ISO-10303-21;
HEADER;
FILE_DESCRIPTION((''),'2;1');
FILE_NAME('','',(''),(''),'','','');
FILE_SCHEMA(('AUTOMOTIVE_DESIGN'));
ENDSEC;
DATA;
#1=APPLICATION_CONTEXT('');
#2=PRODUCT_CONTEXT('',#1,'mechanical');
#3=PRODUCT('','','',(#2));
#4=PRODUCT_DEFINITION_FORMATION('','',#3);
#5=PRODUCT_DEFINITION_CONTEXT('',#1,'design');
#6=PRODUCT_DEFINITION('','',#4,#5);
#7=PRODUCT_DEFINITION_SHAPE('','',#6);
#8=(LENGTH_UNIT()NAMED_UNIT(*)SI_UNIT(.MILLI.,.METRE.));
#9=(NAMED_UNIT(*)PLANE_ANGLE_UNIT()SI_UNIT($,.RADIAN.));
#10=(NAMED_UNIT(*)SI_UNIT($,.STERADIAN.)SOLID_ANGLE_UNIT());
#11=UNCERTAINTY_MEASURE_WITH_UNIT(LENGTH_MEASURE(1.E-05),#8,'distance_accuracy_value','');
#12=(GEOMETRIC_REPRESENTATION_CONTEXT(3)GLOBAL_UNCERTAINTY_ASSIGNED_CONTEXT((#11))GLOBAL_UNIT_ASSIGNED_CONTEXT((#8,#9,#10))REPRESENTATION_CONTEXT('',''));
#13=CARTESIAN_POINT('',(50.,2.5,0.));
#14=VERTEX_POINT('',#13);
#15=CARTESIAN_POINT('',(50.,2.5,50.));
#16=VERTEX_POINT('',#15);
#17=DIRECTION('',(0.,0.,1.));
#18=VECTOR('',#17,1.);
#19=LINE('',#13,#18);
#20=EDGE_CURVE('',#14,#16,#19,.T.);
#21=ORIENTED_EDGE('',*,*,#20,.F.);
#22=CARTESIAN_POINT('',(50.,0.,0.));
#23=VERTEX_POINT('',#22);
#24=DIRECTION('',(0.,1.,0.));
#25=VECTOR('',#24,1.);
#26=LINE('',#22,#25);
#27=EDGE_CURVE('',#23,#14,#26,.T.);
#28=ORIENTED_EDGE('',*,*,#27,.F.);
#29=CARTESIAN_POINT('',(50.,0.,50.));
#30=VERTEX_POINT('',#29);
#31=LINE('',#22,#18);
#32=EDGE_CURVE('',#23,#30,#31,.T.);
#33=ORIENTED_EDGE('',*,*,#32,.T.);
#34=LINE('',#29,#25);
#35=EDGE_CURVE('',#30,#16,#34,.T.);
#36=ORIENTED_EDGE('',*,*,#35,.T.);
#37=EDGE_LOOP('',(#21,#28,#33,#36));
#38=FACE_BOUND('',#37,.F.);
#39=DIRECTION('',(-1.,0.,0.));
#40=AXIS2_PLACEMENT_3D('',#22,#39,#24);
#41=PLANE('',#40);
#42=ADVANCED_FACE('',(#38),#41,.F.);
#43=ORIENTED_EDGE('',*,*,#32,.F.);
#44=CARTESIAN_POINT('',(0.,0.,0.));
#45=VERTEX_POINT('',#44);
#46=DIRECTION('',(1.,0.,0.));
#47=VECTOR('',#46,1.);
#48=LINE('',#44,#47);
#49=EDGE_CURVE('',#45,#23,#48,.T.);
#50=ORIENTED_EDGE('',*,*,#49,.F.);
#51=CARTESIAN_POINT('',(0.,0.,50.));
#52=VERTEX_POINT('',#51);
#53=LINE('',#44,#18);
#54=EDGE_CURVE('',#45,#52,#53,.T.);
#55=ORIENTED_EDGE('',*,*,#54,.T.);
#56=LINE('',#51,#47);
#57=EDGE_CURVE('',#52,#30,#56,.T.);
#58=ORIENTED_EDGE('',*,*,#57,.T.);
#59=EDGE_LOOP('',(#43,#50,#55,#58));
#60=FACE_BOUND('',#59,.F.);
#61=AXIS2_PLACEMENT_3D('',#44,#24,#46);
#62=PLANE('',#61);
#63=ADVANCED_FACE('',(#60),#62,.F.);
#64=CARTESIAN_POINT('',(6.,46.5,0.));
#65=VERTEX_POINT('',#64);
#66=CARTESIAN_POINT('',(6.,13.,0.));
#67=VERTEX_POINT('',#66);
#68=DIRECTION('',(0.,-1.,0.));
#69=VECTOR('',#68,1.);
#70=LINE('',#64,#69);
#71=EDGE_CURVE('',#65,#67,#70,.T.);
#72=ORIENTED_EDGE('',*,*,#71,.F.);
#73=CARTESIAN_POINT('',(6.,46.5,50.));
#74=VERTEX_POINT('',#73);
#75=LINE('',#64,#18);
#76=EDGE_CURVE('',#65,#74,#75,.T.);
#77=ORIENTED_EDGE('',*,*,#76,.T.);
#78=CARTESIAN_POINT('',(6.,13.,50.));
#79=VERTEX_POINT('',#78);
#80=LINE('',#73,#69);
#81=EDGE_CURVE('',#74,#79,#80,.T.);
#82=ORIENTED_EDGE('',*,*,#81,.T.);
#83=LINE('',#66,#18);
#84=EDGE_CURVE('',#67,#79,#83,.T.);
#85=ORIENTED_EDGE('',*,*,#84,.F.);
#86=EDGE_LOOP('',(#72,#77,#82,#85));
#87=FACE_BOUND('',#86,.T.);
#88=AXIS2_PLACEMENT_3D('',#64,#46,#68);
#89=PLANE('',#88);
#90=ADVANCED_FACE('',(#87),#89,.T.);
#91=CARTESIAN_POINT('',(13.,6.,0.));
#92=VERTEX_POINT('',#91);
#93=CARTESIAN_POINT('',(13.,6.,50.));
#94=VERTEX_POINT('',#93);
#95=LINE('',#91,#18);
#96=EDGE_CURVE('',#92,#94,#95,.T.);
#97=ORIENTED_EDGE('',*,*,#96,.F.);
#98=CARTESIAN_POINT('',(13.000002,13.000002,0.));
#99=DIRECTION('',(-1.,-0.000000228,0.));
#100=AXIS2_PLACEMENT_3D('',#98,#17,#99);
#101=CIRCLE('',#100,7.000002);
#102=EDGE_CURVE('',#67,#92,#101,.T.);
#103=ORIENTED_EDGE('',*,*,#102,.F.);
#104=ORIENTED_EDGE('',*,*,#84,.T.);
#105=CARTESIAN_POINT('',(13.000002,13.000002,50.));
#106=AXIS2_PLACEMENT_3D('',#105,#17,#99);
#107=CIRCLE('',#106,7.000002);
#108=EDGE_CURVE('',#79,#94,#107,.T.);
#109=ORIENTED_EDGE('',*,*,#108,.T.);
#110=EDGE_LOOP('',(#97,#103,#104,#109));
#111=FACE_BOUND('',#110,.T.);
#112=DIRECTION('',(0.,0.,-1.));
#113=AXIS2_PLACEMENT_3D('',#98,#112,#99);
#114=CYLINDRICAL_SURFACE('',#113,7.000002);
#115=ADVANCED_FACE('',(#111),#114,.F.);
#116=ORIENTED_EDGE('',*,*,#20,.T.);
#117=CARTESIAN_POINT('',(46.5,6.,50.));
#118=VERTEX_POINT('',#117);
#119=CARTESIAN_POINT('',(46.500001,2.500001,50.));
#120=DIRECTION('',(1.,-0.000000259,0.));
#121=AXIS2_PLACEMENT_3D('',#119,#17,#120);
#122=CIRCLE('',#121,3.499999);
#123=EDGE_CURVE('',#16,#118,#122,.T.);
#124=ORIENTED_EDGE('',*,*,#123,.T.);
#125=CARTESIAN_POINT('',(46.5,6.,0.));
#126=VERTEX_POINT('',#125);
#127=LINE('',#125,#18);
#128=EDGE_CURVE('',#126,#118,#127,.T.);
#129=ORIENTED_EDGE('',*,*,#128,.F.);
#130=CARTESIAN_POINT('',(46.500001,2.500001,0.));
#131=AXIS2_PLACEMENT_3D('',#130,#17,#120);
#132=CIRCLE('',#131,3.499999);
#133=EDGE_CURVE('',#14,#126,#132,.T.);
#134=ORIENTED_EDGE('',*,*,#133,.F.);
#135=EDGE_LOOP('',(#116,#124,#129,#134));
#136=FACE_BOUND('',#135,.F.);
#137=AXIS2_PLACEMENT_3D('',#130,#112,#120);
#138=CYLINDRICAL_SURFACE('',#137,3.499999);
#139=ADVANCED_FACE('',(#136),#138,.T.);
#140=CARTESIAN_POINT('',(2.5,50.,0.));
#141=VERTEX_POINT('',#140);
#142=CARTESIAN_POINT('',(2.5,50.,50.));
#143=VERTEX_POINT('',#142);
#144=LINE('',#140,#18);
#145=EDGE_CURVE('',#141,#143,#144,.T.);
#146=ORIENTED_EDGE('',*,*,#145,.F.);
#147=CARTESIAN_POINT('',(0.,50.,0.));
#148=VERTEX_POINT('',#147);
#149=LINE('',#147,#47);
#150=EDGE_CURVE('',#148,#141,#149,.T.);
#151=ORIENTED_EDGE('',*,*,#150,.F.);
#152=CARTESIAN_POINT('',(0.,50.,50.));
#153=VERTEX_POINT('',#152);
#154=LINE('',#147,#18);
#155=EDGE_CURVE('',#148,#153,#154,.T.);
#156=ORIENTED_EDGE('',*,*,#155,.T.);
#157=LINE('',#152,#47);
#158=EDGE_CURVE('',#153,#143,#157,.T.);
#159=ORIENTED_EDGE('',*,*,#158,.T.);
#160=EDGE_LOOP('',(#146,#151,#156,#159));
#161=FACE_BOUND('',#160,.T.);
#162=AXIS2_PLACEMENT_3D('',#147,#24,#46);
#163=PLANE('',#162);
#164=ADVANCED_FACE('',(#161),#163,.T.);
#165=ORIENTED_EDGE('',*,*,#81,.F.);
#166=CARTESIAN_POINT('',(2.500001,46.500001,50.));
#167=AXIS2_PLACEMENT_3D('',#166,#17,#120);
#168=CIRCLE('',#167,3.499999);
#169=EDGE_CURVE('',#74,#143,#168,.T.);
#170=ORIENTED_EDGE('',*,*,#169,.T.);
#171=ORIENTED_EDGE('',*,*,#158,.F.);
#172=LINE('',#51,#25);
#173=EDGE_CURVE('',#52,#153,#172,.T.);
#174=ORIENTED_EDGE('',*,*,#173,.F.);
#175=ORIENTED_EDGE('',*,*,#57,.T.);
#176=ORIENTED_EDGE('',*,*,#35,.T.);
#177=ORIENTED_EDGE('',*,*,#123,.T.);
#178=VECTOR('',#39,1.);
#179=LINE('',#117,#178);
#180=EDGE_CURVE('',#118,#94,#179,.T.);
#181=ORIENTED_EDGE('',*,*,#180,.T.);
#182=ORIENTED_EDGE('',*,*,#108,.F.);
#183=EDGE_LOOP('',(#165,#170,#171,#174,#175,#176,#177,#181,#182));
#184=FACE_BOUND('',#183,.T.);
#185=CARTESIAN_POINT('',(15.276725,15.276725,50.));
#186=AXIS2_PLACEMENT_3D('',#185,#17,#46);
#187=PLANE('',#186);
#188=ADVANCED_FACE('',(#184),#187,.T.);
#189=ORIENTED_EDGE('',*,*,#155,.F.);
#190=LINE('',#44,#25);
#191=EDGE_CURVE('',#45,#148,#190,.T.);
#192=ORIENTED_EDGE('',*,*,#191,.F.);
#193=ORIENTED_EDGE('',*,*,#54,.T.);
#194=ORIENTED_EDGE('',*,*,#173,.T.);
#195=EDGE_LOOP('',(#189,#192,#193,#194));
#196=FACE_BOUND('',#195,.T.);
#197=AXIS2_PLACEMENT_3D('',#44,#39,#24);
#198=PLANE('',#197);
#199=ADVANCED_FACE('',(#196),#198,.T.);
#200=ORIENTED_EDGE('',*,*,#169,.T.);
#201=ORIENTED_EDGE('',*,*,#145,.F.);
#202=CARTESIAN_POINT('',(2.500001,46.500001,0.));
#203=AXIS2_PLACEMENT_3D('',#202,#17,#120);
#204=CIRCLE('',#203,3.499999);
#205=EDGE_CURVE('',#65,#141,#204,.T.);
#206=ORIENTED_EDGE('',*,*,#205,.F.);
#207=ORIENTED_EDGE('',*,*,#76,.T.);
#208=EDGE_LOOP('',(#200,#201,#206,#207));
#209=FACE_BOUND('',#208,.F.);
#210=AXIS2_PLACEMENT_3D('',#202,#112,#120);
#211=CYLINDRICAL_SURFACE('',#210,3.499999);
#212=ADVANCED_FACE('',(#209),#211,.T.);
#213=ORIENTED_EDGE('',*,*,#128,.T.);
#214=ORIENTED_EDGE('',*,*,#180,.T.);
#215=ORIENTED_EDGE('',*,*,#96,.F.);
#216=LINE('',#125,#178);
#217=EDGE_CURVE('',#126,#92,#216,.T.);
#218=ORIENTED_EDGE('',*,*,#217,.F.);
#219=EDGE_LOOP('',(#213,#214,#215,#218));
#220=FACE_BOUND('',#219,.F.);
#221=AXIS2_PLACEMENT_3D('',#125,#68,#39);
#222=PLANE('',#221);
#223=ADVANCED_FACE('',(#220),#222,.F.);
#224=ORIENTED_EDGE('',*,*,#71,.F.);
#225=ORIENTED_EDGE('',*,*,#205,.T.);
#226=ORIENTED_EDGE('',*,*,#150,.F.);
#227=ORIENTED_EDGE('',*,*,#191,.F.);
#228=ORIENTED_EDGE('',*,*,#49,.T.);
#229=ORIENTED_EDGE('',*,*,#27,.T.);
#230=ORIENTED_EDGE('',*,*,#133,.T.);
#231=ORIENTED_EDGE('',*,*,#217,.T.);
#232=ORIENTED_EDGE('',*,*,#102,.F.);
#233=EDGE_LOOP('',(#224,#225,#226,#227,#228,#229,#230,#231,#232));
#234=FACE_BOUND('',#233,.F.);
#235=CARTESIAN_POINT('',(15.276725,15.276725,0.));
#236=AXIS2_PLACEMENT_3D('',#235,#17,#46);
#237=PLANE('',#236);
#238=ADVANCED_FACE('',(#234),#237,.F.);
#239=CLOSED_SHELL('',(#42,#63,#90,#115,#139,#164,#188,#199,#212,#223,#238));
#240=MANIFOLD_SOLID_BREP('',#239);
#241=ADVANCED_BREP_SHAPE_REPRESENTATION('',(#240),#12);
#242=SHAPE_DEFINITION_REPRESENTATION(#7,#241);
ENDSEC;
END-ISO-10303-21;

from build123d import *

# Parameters (mm, degrees)
EXTRUDE_DEPTH = 50


with BuildPart() as part:
    # Sketch → Extrude (new body)
    with BuildSketch(Plane.XY):
        with BuildLine():
            Line((0, 0), (50, 0))
            Line((50, 0), (50, 2.5))
            ThreePointArc((50, 2.5), (48.974874, 4.974874), (46.5, 6))
            Line((46.5, 6), (13, 6))
            ThreePointArc((6, 13), (8.050253, 8.050253), (13, 6))
            Line((6, 46.5), (6, 13))
            ThreePointArc((6, 46.5), (4.974874, 48.974874), (2.5, 50))
            Line((0, 50), (2.5, 50))
            Line((0, 0), (0, 50))
        make_face()
    extrude(amount=EXTRUDE_DEPTH)


solid = part.part
